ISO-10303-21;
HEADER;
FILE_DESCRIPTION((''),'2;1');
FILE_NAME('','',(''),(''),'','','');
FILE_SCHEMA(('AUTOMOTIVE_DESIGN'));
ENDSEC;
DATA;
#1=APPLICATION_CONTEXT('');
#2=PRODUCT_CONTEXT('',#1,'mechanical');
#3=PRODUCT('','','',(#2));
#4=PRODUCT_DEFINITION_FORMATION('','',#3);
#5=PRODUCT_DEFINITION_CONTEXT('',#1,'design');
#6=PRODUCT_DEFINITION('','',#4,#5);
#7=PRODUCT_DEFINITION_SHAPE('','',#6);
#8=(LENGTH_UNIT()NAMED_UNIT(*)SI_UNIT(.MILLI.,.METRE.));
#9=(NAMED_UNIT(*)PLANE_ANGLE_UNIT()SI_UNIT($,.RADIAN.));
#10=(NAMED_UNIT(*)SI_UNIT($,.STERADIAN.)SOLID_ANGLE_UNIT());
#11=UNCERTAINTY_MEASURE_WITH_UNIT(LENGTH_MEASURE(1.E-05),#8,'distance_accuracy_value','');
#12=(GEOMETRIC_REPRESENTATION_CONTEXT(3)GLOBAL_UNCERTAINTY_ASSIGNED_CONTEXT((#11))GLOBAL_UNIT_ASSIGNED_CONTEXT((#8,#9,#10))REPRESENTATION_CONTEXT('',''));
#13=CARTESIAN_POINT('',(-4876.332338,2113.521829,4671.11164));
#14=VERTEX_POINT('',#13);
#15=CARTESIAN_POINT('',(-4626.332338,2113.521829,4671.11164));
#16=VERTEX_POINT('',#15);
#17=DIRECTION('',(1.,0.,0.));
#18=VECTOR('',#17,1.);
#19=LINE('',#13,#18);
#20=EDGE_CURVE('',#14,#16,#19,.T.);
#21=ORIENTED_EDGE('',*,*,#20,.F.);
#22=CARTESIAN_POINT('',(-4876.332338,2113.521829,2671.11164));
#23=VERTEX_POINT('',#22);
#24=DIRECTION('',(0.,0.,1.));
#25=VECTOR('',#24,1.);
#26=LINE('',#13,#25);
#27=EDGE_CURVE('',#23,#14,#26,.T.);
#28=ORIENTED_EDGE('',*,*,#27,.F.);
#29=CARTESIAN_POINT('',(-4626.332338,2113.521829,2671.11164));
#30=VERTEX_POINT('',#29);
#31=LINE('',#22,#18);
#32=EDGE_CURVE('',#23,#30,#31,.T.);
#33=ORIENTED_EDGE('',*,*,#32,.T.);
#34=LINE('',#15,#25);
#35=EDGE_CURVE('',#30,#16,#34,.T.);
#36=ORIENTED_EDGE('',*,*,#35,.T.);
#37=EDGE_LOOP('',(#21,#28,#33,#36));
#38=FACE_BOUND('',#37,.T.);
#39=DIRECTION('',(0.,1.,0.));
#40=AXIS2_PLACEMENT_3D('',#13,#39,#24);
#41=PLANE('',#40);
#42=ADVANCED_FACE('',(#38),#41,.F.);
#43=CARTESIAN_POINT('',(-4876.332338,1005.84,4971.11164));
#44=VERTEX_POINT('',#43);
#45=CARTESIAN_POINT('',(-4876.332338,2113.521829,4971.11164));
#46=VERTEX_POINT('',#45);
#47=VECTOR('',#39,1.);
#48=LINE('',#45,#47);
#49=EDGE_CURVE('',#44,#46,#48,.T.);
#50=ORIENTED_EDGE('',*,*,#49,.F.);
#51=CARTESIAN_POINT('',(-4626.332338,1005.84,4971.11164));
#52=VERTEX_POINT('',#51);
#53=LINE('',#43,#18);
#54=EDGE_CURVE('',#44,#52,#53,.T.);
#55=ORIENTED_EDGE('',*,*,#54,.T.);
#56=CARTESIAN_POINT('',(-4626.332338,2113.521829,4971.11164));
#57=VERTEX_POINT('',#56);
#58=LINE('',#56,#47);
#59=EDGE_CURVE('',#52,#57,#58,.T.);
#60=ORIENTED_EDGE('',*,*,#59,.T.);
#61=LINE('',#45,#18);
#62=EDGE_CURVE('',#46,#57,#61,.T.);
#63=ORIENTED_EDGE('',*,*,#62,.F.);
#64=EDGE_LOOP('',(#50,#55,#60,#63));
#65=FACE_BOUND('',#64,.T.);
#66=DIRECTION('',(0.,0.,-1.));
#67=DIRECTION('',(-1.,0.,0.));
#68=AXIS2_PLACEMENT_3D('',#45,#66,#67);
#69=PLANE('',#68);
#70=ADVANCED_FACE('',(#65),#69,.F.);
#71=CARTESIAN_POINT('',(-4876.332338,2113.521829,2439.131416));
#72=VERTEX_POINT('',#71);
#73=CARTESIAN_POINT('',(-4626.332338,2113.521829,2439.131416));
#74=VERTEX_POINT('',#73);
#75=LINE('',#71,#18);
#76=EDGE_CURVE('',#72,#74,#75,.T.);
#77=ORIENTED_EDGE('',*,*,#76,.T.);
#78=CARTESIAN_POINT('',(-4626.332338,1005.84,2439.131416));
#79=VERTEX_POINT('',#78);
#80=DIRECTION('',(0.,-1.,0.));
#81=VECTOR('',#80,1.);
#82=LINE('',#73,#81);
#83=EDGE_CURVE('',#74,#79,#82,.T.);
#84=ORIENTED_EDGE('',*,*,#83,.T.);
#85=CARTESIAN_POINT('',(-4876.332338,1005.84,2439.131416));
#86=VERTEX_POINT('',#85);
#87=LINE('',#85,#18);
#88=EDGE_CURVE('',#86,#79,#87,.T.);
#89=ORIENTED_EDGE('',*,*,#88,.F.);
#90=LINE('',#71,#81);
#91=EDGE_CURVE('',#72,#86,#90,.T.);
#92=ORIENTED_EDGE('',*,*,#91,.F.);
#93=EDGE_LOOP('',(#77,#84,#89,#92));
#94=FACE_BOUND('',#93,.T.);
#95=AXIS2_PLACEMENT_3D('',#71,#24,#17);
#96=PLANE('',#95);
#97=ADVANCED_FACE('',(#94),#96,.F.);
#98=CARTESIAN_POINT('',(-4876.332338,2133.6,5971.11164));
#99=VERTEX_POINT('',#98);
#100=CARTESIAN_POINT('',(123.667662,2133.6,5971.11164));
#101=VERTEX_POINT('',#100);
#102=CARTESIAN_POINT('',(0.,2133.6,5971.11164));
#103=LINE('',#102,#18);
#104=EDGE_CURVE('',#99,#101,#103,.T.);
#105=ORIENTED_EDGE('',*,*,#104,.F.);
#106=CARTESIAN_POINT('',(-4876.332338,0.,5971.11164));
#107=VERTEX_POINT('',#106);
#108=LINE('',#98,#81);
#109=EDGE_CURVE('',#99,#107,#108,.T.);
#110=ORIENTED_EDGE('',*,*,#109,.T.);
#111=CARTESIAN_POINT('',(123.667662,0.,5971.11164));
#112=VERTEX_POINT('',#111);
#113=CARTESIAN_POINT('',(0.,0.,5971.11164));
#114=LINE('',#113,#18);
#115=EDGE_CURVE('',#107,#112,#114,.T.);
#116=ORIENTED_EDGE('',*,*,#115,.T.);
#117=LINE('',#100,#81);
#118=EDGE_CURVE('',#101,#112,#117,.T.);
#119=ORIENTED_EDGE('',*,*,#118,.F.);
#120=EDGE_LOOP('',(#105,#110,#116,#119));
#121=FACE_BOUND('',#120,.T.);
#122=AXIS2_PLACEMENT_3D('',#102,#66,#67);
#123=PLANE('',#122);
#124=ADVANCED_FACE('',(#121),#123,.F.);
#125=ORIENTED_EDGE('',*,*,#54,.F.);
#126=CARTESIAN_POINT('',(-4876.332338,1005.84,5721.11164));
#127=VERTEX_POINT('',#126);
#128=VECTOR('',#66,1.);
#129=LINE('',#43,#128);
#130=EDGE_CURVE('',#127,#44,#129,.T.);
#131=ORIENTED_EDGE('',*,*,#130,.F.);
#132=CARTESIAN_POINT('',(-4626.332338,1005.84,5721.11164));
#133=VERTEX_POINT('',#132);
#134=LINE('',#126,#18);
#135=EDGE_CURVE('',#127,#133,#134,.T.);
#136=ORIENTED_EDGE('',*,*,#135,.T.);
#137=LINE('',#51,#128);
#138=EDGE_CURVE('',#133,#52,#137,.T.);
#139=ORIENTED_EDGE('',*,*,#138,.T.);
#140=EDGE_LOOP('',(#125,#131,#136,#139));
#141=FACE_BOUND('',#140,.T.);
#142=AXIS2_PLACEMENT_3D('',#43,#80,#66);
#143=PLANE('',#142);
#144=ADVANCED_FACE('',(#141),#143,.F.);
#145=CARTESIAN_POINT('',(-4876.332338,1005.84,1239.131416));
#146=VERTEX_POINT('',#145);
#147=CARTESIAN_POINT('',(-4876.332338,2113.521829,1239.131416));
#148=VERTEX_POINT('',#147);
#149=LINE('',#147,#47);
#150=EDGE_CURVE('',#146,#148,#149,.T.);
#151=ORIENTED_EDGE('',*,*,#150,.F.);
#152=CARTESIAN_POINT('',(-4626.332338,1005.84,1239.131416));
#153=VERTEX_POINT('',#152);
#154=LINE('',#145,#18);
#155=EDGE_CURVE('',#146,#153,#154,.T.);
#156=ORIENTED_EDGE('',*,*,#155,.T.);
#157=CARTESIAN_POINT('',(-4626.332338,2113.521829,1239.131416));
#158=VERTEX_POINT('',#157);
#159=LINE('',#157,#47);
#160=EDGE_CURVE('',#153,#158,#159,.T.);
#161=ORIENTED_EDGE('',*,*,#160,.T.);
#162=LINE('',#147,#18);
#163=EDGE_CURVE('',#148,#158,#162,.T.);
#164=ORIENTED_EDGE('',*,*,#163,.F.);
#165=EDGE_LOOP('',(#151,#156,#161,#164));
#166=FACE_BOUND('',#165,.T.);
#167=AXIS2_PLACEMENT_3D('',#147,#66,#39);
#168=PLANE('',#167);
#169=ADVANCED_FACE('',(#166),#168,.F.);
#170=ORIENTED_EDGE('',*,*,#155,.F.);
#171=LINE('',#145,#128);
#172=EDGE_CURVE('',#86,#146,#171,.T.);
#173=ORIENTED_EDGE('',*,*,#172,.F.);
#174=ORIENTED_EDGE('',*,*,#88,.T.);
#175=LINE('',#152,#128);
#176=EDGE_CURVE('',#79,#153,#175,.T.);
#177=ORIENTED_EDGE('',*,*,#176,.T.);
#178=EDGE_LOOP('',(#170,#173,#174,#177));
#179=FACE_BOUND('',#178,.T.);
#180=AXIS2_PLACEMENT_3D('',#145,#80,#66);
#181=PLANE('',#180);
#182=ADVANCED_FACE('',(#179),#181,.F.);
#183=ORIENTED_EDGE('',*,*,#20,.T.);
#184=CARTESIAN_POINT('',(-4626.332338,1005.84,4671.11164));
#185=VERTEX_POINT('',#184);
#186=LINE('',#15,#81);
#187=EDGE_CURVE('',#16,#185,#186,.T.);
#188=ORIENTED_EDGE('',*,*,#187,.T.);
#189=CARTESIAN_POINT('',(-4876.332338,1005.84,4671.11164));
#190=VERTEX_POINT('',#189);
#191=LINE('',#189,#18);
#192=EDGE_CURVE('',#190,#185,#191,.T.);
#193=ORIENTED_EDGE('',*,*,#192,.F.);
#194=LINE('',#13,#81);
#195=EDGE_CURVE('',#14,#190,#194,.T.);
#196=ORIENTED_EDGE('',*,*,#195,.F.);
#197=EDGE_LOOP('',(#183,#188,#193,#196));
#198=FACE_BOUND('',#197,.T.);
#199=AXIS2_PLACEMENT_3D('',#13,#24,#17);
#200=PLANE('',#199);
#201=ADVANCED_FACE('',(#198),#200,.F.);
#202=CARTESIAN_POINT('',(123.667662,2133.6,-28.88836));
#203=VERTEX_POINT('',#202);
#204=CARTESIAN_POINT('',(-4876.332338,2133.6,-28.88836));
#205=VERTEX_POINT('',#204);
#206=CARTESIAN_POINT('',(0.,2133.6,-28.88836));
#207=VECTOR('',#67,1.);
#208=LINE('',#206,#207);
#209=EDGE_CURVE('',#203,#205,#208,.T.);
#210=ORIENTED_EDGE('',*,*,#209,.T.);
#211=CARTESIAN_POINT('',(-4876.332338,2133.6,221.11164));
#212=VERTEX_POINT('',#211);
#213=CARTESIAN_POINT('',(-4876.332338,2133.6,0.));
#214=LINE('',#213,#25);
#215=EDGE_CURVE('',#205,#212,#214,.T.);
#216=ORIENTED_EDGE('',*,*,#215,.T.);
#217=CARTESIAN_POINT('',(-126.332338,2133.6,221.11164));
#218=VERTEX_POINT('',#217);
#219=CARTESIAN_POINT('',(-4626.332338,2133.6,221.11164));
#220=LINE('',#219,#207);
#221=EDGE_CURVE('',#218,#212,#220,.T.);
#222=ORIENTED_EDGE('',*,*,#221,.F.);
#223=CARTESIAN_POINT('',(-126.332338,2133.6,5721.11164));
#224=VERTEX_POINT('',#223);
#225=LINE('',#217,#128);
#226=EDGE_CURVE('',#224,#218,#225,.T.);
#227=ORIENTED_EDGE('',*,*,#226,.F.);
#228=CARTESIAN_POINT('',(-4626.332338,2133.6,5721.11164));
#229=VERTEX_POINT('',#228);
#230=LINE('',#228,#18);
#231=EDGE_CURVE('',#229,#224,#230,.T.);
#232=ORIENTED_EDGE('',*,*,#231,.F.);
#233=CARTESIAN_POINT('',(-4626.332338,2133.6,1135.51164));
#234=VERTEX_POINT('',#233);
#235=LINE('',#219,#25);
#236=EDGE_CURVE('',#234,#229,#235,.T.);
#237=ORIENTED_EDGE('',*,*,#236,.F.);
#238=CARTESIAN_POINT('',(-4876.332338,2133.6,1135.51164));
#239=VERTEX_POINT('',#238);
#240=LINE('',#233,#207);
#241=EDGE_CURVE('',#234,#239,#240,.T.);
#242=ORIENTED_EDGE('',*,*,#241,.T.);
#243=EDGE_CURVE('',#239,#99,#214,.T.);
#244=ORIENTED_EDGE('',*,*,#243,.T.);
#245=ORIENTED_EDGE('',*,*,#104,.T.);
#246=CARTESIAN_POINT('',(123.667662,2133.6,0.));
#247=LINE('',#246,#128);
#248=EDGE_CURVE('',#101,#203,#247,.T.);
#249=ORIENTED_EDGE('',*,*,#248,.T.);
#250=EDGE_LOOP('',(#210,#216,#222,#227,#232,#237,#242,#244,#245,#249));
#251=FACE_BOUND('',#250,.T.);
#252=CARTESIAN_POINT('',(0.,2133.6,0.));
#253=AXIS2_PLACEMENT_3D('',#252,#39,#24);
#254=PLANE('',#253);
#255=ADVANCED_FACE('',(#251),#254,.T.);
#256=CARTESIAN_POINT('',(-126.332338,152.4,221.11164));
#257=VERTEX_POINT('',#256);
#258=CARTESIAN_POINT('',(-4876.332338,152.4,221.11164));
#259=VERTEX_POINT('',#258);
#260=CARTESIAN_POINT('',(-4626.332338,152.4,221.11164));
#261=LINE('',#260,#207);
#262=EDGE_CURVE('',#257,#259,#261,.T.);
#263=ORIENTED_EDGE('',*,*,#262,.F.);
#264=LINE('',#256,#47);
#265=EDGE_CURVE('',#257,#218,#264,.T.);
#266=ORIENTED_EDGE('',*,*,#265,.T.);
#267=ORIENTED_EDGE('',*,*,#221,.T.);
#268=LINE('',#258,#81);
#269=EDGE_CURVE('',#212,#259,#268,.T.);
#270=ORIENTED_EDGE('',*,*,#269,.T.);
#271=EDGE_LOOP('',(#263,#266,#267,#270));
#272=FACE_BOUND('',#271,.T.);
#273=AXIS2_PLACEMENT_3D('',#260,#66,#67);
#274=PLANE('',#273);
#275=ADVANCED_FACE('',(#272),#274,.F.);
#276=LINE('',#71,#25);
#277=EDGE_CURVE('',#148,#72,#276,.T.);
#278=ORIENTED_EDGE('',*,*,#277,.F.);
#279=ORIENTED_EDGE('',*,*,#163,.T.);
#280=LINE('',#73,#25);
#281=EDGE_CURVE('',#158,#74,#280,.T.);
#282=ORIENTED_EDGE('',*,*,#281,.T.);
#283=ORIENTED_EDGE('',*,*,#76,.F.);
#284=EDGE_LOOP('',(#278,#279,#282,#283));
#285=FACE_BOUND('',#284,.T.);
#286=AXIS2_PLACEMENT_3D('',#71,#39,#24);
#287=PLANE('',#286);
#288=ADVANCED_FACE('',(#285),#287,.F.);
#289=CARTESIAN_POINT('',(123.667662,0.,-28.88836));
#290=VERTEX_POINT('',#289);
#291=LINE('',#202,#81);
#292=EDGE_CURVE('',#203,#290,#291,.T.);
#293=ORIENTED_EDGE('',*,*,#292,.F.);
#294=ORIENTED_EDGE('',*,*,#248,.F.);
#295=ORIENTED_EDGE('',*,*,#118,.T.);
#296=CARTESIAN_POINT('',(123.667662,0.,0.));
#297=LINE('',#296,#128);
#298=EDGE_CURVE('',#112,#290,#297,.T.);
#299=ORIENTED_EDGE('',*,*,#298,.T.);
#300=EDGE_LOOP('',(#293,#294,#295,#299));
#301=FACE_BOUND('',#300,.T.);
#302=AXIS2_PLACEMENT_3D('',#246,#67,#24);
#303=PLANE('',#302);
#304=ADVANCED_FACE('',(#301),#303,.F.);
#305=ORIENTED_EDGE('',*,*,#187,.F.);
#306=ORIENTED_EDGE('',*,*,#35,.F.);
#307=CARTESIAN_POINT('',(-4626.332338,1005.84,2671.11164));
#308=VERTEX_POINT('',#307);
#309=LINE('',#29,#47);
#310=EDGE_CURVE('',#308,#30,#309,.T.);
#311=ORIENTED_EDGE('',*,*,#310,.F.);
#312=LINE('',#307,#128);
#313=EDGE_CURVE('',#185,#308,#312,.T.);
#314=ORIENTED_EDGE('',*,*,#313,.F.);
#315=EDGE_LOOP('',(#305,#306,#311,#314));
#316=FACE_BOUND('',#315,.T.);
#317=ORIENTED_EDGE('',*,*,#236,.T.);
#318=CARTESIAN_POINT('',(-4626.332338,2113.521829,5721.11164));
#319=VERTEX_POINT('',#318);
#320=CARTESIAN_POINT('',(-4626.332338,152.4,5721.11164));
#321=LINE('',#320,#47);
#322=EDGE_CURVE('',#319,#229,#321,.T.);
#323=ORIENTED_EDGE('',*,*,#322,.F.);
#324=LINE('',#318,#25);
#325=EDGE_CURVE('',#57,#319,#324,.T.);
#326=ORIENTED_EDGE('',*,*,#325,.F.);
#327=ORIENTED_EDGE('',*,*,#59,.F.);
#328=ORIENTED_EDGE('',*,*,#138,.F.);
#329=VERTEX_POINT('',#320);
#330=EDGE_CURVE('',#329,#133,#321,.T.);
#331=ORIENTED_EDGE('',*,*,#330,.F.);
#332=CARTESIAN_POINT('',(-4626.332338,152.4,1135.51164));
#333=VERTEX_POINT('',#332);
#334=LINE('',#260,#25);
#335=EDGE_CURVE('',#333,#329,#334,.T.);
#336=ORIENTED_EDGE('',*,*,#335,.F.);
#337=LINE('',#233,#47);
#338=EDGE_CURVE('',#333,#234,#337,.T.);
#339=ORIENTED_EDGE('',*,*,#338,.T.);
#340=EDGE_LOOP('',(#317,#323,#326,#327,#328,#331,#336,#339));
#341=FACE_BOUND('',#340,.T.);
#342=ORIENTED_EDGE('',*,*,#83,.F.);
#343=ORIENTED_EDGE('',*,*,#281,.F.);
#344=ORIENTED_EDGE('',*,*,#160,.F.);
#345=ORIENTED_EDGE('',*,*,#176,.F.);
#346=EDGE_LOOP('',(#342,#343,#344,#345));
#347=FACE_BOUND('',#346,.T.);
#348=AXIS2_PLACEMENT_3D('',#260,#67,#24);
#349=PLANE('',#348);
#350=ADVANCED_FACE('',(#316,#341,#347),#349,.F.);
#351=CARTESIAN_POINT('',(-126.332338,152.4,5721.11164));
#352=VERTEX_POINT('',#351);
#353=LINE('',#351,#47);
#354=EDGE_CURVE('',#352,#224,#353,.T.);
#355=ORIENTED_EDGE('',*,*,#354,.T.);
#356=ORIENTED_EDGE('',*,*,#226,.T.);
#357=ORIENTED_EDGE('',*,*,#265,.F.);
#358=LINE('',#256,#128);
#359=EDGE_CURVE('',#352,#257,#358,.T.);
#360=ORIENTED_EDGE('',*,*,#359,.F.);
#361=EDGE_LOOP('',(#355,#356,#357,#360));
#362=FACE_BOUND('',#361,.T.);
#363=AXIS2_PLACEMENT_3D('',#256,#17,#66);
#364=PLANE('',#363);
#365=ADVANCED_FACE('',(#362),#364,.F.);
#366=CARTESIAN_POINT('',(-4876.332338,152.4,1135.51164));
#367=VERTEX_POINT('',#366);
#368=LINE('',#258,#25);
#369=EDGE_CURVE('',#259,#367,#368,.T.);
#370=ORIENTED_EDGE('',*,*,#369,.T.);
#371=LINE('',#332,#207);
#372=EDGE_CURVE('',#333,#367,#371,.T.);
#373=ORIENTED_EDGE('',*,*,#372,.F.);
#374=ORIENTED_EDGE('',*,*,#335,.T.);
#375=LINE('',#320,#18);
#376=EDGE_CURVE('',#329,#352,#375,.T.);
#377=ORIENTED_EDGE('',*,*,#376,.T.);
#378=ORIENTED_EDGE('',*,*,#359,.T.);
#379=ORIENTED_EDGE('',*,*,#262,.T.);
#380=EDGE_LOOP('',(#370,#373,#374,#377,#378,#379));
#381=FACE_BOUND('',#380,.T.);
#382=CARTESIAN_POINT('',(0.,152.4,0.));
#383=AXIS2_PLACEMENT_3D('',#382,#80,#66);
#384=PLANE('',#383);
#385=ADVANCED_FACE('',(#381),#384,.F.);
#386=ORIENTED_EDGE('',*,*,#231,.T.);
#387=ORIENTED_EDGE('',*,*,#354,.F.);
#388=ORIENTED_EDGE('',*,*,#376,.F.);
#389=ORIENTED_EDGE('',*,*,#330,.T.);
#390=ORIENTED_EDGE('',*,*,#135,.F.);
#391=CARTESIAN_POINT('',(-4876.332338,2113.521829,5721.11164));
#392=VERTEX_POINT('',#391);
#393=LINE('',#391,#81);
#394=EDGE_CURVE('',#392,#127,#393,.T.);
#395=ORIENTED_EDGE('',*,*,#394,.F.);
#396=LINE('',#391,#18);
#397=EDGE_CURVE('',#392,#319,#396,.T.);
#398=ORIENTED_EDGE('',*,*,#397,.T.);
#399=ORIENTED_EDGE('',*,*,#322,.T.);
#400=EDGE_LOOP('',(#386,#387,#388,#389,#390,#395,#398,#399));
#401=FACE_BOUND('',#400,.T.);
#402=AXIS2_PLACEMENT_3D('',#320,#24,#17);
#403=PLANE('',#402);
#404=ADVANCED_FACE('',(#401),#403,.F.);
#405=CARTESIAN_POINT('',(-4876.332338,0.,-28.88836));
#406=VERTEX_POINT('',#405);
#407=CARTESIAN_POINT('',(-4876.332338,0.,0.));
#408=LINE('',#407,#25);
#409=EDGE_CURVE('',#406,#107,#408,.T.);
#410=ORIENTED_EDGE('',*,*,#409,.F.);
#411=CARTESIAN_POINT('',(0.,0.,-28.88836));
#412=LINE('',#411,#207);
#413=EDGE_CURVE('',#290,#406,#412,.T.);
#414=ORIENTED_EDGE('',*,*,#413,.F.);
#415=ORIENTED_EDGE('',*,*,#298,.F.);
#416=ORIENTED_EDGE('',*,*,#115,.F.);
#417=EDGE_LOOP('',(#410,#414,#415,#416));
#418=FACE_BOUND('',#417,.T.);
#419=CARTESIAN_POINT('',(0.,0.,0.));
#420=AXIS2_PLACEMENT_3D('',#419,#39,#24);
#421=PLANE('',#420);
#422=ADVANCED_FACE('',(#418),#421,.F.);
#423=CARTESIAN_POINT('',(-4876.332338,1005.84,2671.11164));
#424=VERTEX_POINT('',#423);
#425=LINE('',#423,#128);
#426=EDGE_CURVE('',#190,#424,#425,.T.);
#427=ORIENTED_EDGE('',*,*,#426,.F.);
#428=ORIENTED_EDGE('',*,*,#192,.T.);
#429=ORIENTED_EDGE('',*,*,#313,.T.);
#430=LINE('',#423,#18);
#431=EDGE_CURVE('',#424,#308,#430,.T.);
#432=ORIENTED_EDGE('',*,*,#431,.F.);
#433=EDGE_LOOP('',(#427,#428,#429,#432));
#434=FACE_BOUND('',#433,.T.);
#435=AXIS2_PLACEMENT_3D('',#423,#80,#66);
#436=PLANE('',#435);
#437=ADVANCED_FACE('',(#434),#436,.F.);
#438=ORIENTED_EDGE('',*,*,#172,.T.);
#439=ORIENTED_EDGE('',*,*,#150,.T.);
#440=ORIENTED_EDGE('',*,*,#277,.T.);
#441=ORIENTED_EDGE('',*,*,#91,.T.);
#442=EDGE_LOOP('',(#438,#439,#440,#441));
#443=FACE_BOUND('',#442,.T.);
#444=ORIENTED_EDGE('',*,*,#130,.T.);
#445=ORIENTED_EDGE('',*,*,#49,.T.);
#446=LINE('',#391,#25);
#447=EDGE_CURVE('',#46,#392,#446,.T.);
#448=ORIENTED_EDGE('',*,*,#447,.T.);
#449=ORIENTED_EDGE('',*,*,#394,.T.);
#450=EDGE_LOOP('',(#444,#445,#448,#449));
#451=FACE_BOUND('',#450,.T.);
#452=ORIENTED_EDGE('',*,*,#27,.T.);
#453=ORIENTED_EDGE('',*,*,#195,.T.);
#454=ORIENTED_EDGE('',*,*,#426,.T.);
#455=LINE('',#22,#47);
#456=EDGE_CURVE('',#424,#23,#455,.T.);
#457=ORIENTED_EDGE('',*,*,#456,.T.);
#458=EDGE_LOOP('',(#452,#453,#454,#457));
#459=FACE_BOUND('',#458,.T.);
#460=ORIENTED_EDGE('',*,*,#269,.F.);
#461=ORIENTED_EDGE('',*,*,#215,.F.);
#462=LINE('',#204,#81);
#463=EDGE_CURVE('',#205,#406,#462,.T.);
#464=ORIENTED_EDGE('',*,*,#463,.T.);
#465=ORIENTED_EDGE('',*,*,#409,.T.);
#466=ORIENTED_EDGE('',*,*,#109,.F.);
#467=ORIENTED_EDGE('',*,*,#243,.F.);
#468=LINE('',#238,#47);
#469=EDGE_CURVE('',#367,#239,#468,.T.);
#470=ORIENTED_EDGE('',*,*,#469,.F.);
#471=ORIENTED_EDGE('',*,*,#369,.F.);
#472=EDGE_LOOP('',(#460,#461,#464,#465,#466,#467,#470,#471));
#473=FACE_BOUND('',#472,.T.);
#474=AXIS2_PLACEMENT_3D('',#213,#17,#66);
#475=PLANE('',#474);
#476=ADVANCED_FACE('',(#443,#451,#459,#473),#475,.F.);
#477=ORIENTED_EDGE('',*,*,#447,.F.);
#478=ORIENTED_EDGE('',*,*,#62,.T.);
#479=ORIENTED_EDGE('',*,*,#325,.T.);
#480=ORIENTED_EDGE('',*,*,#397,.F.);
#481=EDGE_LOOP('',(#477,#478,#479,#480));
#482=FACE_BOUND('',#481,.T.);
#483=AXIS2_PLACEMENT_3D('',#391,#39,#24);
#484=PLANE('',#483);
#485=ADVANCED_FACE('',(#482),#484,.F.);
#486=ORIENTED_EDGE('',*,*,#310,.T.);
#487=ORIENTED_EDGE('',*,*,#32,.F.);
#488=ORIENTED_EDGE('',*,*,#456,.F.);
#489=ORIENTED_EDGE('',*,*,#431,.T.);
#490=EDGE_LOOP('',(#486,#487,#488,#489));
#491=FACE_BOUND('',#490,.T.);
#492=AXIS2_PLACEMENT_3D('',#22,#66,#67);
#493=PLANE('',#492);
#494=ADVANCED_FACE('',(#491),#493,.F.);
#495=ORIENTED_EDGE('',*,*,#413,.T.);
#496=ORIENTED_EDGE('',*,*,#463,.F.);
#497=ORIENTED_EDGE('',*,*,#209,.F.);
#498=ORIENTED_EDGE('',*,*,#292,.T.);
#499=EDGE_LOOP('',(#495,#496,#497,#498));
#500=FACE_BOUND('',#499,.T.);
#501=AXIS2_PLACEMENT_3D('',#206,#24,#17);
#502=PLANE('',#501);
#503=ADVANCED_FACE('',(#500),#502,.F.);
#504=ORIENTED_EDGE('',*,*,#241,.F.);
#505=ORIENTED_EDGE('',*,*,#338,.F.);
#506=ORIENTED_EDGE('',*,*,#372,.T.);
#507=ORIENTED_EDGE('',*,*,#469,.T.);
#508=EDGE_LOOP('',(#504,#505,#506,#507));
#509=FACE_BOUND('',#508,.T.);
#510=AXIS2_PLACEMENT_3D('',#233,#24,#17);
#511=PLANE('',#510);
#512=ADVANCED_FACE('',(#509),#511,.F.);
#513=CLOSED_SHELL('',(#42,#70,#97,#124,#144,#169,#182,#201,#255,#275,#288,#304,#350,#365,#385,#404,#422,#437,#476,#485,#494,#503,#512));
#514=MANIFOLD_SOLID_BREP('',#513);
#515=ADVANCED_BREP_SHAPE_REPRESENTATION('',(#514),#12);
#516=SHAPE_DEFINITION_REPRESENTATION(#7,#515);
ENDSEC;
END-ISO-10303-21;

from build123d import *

# Parameters (mm, degrees)
SKETCH2_W           = 5000
SKETCH2_H           = 6000
BOSS_EXTRUDE1_DEPTH = 2133.6
SKETCH3_W           = 4500
SKETCH3_H           = 5500
WALL_DEPTH          = 1981.2
SKETCH5_W           = 1200
SKETCH5_H           = 1107.681828729
SKETCH5_W_2         = 750
SKETCH5_W_3         = 2000
DOOR_DEPTH          = 250
SKETCH4_W           = 914.4
SKETCH4_H           = 1981.2
WINDOWS_DEPTH       = 250


with BuildPart() as part:
    # Sketch2 → Boss-Extrude1 (new body)
    with BuildSketch(Plane(origin=(0, 0, 0), x_dir=(1, 0, 0), z_dir=(0, 1, 0))):
        with Locations((-2376.332337721, -2971.11164006)):
            Rectangle(SKETCH2_W, SKETCH2_H)
    extrude(amount=BOSS_EXTRUDE1_DEPTH)

    # Sketch3 → Wall (cut)
    with BuildSketch(Plane(origin=(0, 2133.6, 0), x_dir=(1, 0, 0), z_dir=(0, 1, 0))):
        with Locations((-2376.332337721, -2971.11164006)):
            Rectangle(SKETCH3_W, SKETCH3_H)
    extrude(amount=-WALL_DEPTH, mode=Mode.SUBTRACT)

    # Sketch5 → Door (cut)
    with BuildSketch(Plane(origin=(-4626.332337721, 0, 0), x_dir=(0, 0, -1), z_dir=(1, 0, 0))):
        with Locations((-1839.131416276, 1559.680914365)):
            Rectangle(SKETCH5_W, SKETCH5_H)
        with Locations((-5346.11164006, 1559.680914365)):
            Rectangle(SKETCH5_W_2, SKETCH5_H)
        with Locations((-3671.11164006, 1559.680914365)):
            Rectangle(SKETCH5_W_3, SKETCH5_H)
    extrude(amount=-DOOR_DEPTH, mode=Mode.SUBTRACT)

    # Sketch4 → Windows (cut)
    with BuildSketch(Plane.ZY.offset(4876.332337721)):
        with Locations((678.31164006, 1143)):
            Rectangle(SKETCH4_W, SKETCH4_H)
    extrude(amount=-WINDOWS_DEPTH, mode=Mode.SUBTRACT)


solid = part.part
